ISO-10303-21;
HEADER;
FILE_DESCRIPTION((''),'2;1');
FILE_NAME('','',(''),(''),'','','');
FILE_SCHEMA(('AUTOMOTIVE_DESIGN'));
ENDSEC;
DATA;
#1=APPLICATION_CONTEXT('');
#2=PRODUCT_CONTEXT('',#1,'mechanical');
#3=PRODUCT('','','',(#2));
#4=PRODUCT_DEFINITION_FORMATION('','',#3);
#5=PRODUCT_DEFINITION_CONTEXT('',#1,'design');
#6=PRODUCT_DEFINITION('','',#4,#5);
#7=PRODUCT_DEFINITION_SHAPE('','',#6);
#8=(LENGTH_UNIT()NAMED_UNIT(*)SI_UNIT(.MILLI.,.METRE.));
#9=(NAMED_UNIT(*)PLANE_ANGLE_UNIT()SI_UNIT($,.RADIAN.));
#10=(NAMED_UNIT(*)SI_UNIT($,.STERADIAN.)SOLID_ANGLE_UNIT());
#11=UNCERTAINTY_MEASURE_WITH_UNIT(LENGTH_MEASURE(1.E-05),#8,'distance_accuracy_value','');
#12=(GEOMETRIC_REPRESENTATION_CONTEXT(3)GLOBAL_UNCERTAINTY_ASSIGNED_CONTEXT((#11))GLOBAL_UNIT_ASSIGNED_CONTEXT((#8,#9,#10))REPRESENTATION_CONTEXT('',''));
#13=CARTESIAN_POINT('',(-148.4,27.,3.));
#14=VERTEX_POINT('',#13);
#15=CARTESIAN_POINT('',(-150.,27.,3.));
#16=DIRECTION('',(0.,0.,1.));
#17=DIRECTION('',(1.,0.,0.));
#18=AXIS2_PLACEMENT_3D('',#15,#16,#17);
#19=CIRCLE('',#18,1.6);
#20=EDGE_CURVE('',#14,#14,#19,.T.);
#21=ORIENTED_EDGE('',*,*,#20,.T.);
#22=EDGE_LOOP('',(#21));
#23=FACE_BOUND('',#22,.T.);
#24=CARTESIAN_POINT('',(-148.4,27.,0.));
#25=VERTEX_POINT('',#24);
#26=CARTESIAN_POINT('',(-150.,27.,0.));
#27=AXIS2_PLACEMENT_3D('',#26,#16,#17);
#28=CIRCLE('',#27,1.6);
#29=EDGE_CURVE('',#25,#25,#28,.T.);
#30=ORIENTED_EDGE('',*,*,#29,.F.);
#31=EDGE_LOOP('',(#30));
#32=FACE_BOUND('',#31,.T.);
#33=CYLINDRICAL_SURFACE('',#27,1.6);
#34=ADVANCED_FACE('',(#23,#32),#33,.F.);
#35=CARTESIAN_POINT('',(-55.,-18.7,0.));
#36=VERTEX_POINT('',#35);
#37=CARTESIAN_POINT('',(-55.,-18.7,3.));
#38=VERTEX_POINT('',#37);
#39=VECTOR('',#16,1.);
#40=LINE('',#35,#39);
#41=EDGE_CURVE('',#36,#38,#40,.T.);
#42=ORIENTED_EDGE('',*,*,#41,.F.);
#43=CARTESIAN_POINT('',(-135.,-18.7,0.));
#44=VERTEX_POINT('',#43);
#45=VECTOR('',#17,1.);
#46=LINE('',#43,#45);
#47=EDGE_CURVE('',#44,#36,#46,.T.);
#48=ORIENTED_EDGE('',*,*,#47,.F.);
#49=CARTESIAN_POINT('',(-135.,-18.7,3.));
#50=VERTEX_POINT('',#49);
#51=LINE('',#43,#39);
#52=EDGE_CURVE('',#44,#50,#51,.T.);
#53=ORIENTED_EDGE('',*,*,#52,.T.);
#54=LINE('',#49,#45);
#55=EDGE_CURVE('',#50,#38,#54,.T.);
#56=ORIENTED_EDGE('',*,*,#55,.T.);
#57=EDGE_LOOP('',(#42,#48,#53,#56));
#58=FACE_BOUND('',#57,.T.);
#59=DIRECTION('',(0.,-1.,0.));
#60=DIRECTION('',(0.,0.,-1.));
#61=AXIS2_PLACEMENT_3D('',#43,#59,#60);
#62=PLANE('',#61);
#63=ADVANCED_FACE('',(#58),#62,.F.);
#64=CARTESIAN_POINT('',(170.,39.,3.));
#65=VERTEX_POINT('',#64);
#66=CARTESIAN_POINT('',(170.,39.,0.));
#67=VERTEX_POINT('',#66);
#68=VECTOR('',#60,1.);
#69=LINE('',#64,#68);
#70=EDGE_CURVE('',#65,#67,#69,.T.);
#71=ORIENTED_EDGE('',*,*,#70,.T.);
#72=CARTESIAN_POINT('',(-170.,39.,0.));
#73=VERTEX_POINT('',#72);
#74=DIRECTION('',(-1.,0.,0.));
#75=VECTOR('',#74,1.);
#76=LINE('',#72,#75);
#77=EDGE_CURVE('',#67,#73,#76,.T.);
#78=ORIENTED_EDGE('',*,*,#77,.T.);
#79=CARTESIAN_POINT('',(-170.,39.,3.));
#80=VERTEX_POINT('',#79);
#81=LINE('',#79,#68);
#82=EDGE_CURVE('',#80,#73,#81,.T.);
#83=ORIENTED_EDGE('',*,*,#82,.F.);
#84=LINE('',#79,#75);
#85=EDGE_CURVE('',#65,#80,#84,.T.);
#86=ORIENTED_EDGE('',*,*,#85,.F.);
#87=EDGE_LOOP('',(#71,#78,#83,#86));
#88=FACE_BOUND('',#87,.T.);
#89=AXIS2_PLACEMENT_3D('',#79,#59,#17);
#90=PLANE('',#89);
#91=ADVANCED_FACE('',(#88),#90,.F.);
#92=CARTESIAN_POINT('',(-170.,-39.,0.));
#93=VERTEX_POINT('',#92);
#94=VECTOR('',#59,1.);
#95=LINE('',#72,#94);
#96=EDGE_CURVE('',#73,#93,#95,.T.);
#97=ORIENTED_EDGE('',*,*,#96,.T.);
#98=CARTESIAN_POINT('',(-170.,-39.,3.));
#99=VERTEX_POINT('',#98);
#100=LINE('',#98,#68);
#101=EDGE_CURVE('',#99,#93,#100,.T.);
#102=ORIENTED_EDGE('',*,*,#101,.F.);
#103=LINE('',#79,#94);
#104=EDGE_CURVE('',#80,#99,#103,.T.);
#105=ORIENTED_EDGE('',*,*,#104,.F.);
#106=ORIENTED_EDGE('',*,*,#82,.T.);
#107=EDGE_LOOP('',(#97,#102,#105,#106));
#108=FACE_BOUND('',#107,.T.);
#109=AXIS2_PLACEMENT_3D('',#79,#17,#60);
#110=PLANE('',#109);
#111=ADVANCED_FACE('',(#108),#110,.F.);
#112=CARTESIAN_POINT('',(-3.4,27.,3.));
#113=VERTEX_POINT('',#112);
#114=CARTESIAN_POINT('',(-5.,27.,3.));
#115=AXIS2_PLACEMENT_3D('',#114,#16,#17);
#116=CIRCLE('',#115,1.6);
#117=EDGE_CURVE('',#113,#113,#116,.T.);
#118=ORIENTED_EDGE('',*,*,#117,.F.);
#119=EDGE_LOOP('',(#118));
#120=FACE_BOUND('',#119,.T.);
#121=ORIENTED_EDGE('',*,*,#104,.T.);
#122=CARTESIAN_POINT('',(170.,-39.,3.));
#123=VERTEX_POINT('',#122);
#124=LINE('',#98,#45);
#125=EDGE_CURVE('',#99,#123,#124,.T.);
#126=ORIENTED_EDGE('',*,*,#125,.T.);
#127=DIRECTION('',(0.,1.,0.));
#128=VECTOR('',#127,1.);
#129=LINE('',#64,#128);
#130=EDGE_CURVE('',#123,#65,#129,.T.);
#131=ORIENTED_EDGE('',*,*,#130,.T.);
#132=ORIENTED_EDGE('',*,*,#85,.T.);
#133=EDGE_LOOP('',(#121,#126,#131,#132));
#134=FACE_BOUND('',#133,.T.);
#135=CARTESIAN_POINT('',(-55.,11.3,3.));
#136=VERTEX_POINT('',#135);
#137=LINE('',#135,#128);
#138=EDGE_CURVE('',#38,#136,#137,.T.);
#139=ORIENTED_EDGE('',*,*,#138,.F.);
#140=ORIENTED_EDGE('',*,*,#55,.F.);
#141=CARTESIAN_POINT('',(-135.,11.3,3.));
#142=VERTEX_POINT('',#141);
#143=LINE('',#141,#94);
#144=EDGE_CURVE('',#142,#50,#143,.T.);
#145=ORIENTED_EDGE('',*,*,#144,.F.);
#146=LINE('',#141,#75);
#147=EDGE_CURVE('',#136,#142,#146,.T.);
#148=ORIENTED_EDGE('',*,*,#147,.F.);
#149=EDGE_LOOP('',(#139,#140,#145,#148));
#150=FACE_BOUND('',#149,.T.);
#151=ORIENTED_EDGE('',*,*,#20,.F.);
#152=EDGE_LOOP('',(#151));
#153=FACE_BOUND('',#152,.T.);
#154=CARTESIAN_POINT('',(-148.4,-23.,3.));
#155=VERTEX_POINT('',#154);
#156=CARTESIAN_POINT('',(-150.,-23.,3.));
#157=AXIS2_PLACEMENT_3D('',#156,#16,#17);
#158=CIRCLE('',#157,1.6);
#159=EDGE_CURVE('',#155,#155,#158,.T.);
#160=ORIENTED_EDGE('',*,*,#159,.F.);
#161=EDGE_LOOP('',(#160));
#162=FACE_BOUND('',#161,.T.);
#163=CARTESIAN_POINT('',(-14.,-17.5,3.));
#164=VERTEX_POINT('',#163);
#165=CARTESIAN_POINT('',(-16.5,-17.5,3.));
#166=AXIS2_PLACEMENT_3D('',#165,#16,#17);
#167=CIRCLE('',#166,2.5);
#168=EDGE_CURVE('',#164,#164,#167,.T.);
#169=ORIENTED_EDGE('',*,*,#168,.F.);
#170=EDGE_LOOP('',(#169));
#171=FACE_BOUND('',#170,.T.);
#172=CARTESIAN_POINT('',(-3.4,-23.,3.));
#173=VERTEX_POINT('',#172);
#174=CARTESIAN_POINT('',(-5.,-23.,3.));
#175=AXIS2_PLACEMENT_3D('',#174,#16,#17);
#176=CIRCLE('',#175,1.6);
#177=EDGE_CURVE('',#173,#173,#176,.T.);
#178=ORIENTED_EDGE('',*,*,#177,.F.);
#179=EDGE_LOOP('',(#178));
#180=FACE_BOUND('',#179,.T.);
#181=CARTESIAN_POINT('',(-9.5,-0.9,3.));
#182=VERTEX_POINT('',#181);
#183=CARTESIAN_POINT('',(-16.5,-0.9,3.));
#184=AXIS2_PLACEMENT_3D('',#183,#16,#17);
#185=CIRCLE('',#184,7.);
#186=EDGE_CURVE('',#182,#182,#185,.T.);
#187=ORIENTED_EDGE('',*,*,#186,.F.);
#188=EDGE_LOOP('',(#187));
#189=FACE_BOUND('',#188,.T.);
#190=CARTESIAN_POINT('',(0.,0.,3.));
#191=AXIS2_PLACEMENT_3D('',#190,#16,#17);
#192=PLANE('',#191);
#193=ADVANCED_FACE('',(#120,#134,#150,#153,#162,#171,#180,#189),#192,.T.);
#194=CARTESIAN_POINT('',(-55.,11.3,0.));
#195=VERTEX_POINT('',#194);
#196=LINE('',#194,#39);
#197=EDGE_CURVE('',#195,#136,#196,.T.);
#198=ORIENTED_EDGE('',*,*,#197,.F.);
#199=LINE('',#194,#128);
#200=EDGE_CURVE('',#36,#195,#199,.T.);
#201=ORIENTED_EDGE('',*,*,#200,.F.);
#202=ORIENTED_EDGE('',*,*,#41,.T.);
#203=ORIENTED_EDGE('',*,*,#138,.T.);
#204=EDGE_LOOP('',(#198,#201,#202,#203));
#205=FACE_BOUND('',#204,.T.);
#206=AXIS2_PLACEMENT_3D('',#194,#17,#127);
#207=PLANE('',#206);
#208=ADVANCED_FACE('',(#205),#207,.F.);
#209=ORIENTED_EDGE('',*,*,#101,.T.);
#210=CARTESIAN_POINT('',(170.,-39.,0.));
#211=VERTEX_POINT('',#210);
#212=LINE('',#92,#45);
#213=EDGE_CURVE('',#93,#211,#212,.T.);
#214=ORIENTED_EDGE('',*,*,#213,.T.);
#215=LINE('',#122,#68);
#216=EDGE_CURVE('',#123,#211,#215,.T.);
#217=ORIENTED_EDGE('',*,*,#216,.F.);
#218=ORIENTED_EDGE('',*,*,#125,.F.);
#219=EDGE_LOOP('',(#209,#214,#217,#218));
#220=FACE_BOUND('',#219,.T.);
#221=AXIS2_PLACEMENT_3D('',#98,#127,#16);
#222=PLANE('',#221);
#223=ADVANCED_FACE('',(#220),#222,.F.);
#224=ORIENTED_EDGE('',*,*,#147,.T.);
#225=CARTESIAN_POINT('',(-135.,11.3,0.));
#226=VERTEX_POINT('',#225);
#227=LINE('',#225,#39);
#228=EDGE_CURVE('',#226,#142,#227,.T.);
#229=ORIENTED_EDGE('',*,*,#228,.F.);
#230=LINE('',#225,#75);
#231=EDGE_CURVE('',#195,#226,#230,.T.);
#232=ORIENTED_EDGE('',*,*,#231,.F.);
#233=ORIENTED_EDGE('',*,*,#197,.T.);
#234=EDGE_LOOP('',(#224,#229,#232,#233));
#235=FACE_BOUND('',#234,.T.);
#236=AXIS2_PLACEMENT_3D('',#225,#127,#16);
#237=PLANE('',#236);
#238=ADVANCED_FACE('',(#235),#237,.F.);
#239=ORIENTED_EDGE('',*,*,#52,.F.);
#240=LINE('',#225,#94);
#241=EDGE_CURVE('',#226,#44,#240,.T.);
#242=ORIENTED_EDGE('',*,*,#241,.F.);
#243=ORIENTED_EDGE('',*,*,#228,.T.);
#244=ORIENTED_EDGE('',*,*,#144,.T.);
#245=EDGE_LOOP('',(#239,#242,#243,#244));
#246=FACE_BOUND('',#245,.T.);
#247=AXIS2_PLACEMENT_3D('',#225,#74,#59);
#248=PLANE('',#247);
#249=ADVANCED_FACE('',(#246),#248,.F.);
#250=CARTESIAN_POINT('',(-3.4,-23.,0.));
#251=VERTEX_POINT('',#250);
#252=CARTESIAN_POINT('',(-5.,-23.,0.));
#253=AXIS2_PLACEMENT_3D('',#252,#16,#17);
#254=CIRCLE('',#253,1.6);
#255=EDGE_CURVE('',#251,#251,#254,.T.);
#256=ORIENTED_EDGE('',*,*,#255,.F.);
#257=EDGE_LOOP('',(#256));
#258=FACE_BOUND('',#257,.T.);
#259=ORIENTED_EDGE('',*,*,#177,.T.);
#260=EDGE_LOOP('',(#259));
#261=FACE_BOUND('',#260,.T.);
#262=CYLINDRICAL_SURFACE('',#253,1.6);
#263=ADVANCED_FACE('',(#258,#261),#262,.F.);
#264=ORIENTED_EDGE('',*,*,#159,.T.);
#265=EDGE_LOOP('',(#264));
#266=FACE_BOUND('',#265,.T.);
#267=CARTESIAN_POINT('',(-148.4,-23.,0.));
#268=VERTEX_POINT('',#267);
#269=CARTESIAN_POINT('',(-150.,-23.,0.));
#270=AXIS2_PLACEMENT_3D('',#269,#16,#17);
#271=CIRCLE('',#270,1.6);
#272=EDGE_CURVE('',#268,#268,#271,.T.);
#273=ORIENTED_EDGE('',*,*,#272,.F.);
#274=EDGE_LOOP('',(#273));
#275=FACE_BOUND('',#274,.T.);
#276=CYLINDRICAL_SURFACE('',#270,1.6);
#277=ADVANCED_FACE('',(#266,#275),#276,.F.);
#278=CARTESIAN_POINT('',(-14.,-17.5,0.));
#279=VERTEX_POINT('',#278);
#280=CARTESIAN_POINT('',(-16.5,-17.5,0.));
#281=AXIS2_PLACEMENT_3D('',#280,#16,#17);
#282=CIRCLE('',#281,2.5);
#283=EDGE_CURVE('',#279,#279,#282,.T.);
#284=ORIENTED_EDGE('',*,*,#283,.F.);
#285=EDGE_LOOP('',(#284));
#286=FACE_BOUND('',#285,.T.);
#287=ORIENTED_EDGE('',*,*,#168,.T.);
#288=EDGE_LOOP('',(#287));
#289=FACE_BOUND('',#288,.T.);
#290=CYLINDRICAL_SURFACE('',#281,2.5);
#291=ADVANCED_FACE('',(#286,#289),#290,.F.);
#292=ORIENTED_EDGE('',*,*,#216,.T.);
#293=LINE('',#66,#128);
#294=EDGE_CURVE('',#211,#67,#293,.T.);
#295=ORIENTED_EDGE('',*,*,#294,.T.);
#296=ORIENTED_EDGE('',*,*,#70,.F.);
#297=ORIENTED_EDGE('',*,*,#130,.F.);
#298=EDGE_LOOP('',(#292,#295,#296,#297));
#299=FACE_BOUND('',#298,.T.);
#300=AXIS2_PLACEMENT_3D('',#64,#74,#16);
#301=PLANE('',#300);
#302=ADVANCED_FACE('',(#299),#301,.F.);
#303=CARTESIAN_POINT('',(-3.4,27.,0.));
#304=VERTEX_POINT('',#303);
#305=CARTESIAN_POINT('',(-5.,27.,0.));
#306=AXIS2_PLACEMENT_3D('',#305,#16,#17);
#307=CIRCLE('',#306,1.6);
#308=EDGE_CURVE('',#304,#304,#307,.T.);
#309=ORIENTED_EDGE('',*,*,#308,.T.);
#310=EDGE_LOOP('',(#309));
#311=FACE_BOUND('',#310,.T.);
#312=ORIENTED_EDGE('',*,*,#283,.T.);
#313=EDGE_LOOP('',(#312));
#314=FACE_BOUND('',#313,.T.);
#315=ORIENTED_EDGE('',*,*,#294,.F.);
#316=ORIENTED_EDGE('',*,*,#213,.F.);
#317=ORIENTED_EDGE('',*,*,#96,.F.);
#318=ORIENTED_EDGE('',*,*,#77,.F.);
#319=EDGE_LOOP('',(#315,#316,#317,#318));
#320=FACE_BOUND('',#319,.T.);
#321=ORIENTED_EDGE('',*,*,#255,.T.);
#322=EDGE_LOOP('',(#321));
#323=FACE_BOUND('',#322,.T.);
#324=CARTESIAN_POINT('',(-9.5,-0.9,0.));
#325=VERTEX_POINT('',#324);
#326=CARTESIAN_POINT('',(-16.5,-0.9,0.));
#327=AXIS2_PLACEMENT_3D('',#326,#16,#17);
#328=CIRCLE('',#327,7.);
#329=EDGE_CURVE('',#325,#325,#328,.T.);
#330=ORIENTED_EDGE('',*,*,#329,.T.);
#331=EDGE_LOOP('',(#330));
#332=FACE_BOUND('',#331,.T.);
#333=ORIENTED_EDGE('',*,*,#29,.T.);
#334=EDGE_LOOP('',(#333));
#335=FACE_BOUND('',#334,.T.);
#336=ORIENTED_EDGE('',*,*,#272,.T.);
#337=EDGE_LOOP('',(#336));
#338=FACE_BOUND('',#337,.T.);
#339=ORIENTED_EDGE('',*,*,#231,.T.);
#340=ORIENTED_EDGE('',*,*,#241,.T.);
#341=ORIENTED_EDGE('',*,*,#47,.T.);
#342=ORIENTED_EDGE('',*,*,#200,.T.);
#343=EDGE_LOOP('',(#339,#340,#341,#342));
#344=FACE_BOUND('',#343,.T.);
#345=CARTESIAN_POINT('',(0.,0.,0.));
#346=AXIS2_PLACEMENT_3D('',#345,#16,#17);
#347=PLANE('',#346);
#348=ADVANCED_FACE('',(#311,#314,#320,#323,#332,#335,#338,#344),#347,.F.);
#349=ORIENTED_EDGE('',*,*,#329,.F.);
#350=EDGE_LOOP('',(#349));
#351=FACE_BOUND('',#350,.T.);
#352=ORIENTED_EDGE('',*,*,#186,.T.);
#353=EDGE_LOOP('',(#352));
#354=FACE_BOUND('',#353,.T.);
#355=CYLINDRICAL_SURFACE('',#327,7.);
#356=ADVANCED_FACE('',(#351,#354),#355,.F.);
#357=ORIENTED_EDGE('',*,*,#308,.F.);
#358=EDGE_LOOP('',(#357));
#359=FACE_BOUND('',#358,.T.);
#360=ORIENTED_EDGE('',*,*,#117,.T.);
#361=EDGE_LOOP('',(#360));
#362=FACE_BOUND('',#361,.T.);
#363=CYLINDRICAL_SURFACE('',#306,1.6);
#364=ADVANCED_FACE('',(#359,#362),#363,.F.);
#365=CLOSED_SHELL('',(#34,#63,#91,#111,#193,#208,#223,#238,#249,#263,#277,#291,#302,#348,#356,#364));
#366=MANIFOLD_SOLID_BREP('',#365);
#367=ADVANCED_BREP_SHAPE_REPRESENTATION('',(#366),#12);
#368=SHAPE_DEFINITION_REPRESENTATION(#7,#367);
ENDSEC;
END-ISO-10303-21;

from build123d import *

# Parameters (mm, degrees)
ESQUISSE1_W             = 340
ESQUISSE1_H             = 78
BOSS_EXTRU_1_DEPTH      = 3
ESQUISSE2_R             = 1.6
ENL_V_MAT_EXTRU_1_DEPTH = 4
ESQUISSE3_W             = 80
ESQUISSE3_H             = 30
ENL_V_MAT_EXTRU_2_DEPTH = 4
ESQUISSE4_R             = 7
ESQUISSE4_R_2           = 2.5
ENL_V_MAT_EXTRU_3_DEPTH = 4


with BuildPart() as part:
    # Esquisse1 → Boss.-Extru.1 (new body)
    with BuildSketch(Plane.XY):
        Rectangle(ESQUISSE1_W, ESQUISSE1_H)
    extrude(amount=BOSS_EXTRU_1_DEPTH)

    # Esquisse2 → Enlèv. mat.-Extru.1 (cut, through all)
    with BuildSketch(Plane.XY.offset(3)):
        with Locations((-150, 27)):
            Circle(ESQUISSE2_R)
        with Locations((-150, -23)):
            Circle(ESQUISSE2_R)
        with Locations((-5, 27)):
            Circle(ESQUISSE2_R)
        with Locations((-5, -23)):
            Circle(ESQUISSE2_R)
    extrude(amount=-ENL_V_MAT_EXTRU_1_DEPTH, mode=Mode.SUBTRACT)

    # Esquisse3 → Enlèv. mat.-Extru.2 (cut, through all)
    with BuildSketch(Plane.XY.offset(3)):
        with Locations((-95, -3.7)):
            Rectangle(ESQUISSE3_W, ESQUISSE3_H)
    extrude(amount=-ENL_V_MAT_EXTRU_2_DEPTH, mode=Mode.SUBTRACT)

    # Esquisse4 → Enlèv. mat.-Extru.3 (cut, through all)
    with BuildSketch(Plane.XY.offset(3)):
        with Locations((-16.5, -0.9)):
            Circle(ESQUISSE4_R)
        with Locations((-16.5, -17.5)):
            Circle(ESQUISSE4_R_2)
    extrude(amount=-ENL_V_MAT_EXTRU_3_DEPTH, mode=Mode.SUBTRACT)


solid = part.part
